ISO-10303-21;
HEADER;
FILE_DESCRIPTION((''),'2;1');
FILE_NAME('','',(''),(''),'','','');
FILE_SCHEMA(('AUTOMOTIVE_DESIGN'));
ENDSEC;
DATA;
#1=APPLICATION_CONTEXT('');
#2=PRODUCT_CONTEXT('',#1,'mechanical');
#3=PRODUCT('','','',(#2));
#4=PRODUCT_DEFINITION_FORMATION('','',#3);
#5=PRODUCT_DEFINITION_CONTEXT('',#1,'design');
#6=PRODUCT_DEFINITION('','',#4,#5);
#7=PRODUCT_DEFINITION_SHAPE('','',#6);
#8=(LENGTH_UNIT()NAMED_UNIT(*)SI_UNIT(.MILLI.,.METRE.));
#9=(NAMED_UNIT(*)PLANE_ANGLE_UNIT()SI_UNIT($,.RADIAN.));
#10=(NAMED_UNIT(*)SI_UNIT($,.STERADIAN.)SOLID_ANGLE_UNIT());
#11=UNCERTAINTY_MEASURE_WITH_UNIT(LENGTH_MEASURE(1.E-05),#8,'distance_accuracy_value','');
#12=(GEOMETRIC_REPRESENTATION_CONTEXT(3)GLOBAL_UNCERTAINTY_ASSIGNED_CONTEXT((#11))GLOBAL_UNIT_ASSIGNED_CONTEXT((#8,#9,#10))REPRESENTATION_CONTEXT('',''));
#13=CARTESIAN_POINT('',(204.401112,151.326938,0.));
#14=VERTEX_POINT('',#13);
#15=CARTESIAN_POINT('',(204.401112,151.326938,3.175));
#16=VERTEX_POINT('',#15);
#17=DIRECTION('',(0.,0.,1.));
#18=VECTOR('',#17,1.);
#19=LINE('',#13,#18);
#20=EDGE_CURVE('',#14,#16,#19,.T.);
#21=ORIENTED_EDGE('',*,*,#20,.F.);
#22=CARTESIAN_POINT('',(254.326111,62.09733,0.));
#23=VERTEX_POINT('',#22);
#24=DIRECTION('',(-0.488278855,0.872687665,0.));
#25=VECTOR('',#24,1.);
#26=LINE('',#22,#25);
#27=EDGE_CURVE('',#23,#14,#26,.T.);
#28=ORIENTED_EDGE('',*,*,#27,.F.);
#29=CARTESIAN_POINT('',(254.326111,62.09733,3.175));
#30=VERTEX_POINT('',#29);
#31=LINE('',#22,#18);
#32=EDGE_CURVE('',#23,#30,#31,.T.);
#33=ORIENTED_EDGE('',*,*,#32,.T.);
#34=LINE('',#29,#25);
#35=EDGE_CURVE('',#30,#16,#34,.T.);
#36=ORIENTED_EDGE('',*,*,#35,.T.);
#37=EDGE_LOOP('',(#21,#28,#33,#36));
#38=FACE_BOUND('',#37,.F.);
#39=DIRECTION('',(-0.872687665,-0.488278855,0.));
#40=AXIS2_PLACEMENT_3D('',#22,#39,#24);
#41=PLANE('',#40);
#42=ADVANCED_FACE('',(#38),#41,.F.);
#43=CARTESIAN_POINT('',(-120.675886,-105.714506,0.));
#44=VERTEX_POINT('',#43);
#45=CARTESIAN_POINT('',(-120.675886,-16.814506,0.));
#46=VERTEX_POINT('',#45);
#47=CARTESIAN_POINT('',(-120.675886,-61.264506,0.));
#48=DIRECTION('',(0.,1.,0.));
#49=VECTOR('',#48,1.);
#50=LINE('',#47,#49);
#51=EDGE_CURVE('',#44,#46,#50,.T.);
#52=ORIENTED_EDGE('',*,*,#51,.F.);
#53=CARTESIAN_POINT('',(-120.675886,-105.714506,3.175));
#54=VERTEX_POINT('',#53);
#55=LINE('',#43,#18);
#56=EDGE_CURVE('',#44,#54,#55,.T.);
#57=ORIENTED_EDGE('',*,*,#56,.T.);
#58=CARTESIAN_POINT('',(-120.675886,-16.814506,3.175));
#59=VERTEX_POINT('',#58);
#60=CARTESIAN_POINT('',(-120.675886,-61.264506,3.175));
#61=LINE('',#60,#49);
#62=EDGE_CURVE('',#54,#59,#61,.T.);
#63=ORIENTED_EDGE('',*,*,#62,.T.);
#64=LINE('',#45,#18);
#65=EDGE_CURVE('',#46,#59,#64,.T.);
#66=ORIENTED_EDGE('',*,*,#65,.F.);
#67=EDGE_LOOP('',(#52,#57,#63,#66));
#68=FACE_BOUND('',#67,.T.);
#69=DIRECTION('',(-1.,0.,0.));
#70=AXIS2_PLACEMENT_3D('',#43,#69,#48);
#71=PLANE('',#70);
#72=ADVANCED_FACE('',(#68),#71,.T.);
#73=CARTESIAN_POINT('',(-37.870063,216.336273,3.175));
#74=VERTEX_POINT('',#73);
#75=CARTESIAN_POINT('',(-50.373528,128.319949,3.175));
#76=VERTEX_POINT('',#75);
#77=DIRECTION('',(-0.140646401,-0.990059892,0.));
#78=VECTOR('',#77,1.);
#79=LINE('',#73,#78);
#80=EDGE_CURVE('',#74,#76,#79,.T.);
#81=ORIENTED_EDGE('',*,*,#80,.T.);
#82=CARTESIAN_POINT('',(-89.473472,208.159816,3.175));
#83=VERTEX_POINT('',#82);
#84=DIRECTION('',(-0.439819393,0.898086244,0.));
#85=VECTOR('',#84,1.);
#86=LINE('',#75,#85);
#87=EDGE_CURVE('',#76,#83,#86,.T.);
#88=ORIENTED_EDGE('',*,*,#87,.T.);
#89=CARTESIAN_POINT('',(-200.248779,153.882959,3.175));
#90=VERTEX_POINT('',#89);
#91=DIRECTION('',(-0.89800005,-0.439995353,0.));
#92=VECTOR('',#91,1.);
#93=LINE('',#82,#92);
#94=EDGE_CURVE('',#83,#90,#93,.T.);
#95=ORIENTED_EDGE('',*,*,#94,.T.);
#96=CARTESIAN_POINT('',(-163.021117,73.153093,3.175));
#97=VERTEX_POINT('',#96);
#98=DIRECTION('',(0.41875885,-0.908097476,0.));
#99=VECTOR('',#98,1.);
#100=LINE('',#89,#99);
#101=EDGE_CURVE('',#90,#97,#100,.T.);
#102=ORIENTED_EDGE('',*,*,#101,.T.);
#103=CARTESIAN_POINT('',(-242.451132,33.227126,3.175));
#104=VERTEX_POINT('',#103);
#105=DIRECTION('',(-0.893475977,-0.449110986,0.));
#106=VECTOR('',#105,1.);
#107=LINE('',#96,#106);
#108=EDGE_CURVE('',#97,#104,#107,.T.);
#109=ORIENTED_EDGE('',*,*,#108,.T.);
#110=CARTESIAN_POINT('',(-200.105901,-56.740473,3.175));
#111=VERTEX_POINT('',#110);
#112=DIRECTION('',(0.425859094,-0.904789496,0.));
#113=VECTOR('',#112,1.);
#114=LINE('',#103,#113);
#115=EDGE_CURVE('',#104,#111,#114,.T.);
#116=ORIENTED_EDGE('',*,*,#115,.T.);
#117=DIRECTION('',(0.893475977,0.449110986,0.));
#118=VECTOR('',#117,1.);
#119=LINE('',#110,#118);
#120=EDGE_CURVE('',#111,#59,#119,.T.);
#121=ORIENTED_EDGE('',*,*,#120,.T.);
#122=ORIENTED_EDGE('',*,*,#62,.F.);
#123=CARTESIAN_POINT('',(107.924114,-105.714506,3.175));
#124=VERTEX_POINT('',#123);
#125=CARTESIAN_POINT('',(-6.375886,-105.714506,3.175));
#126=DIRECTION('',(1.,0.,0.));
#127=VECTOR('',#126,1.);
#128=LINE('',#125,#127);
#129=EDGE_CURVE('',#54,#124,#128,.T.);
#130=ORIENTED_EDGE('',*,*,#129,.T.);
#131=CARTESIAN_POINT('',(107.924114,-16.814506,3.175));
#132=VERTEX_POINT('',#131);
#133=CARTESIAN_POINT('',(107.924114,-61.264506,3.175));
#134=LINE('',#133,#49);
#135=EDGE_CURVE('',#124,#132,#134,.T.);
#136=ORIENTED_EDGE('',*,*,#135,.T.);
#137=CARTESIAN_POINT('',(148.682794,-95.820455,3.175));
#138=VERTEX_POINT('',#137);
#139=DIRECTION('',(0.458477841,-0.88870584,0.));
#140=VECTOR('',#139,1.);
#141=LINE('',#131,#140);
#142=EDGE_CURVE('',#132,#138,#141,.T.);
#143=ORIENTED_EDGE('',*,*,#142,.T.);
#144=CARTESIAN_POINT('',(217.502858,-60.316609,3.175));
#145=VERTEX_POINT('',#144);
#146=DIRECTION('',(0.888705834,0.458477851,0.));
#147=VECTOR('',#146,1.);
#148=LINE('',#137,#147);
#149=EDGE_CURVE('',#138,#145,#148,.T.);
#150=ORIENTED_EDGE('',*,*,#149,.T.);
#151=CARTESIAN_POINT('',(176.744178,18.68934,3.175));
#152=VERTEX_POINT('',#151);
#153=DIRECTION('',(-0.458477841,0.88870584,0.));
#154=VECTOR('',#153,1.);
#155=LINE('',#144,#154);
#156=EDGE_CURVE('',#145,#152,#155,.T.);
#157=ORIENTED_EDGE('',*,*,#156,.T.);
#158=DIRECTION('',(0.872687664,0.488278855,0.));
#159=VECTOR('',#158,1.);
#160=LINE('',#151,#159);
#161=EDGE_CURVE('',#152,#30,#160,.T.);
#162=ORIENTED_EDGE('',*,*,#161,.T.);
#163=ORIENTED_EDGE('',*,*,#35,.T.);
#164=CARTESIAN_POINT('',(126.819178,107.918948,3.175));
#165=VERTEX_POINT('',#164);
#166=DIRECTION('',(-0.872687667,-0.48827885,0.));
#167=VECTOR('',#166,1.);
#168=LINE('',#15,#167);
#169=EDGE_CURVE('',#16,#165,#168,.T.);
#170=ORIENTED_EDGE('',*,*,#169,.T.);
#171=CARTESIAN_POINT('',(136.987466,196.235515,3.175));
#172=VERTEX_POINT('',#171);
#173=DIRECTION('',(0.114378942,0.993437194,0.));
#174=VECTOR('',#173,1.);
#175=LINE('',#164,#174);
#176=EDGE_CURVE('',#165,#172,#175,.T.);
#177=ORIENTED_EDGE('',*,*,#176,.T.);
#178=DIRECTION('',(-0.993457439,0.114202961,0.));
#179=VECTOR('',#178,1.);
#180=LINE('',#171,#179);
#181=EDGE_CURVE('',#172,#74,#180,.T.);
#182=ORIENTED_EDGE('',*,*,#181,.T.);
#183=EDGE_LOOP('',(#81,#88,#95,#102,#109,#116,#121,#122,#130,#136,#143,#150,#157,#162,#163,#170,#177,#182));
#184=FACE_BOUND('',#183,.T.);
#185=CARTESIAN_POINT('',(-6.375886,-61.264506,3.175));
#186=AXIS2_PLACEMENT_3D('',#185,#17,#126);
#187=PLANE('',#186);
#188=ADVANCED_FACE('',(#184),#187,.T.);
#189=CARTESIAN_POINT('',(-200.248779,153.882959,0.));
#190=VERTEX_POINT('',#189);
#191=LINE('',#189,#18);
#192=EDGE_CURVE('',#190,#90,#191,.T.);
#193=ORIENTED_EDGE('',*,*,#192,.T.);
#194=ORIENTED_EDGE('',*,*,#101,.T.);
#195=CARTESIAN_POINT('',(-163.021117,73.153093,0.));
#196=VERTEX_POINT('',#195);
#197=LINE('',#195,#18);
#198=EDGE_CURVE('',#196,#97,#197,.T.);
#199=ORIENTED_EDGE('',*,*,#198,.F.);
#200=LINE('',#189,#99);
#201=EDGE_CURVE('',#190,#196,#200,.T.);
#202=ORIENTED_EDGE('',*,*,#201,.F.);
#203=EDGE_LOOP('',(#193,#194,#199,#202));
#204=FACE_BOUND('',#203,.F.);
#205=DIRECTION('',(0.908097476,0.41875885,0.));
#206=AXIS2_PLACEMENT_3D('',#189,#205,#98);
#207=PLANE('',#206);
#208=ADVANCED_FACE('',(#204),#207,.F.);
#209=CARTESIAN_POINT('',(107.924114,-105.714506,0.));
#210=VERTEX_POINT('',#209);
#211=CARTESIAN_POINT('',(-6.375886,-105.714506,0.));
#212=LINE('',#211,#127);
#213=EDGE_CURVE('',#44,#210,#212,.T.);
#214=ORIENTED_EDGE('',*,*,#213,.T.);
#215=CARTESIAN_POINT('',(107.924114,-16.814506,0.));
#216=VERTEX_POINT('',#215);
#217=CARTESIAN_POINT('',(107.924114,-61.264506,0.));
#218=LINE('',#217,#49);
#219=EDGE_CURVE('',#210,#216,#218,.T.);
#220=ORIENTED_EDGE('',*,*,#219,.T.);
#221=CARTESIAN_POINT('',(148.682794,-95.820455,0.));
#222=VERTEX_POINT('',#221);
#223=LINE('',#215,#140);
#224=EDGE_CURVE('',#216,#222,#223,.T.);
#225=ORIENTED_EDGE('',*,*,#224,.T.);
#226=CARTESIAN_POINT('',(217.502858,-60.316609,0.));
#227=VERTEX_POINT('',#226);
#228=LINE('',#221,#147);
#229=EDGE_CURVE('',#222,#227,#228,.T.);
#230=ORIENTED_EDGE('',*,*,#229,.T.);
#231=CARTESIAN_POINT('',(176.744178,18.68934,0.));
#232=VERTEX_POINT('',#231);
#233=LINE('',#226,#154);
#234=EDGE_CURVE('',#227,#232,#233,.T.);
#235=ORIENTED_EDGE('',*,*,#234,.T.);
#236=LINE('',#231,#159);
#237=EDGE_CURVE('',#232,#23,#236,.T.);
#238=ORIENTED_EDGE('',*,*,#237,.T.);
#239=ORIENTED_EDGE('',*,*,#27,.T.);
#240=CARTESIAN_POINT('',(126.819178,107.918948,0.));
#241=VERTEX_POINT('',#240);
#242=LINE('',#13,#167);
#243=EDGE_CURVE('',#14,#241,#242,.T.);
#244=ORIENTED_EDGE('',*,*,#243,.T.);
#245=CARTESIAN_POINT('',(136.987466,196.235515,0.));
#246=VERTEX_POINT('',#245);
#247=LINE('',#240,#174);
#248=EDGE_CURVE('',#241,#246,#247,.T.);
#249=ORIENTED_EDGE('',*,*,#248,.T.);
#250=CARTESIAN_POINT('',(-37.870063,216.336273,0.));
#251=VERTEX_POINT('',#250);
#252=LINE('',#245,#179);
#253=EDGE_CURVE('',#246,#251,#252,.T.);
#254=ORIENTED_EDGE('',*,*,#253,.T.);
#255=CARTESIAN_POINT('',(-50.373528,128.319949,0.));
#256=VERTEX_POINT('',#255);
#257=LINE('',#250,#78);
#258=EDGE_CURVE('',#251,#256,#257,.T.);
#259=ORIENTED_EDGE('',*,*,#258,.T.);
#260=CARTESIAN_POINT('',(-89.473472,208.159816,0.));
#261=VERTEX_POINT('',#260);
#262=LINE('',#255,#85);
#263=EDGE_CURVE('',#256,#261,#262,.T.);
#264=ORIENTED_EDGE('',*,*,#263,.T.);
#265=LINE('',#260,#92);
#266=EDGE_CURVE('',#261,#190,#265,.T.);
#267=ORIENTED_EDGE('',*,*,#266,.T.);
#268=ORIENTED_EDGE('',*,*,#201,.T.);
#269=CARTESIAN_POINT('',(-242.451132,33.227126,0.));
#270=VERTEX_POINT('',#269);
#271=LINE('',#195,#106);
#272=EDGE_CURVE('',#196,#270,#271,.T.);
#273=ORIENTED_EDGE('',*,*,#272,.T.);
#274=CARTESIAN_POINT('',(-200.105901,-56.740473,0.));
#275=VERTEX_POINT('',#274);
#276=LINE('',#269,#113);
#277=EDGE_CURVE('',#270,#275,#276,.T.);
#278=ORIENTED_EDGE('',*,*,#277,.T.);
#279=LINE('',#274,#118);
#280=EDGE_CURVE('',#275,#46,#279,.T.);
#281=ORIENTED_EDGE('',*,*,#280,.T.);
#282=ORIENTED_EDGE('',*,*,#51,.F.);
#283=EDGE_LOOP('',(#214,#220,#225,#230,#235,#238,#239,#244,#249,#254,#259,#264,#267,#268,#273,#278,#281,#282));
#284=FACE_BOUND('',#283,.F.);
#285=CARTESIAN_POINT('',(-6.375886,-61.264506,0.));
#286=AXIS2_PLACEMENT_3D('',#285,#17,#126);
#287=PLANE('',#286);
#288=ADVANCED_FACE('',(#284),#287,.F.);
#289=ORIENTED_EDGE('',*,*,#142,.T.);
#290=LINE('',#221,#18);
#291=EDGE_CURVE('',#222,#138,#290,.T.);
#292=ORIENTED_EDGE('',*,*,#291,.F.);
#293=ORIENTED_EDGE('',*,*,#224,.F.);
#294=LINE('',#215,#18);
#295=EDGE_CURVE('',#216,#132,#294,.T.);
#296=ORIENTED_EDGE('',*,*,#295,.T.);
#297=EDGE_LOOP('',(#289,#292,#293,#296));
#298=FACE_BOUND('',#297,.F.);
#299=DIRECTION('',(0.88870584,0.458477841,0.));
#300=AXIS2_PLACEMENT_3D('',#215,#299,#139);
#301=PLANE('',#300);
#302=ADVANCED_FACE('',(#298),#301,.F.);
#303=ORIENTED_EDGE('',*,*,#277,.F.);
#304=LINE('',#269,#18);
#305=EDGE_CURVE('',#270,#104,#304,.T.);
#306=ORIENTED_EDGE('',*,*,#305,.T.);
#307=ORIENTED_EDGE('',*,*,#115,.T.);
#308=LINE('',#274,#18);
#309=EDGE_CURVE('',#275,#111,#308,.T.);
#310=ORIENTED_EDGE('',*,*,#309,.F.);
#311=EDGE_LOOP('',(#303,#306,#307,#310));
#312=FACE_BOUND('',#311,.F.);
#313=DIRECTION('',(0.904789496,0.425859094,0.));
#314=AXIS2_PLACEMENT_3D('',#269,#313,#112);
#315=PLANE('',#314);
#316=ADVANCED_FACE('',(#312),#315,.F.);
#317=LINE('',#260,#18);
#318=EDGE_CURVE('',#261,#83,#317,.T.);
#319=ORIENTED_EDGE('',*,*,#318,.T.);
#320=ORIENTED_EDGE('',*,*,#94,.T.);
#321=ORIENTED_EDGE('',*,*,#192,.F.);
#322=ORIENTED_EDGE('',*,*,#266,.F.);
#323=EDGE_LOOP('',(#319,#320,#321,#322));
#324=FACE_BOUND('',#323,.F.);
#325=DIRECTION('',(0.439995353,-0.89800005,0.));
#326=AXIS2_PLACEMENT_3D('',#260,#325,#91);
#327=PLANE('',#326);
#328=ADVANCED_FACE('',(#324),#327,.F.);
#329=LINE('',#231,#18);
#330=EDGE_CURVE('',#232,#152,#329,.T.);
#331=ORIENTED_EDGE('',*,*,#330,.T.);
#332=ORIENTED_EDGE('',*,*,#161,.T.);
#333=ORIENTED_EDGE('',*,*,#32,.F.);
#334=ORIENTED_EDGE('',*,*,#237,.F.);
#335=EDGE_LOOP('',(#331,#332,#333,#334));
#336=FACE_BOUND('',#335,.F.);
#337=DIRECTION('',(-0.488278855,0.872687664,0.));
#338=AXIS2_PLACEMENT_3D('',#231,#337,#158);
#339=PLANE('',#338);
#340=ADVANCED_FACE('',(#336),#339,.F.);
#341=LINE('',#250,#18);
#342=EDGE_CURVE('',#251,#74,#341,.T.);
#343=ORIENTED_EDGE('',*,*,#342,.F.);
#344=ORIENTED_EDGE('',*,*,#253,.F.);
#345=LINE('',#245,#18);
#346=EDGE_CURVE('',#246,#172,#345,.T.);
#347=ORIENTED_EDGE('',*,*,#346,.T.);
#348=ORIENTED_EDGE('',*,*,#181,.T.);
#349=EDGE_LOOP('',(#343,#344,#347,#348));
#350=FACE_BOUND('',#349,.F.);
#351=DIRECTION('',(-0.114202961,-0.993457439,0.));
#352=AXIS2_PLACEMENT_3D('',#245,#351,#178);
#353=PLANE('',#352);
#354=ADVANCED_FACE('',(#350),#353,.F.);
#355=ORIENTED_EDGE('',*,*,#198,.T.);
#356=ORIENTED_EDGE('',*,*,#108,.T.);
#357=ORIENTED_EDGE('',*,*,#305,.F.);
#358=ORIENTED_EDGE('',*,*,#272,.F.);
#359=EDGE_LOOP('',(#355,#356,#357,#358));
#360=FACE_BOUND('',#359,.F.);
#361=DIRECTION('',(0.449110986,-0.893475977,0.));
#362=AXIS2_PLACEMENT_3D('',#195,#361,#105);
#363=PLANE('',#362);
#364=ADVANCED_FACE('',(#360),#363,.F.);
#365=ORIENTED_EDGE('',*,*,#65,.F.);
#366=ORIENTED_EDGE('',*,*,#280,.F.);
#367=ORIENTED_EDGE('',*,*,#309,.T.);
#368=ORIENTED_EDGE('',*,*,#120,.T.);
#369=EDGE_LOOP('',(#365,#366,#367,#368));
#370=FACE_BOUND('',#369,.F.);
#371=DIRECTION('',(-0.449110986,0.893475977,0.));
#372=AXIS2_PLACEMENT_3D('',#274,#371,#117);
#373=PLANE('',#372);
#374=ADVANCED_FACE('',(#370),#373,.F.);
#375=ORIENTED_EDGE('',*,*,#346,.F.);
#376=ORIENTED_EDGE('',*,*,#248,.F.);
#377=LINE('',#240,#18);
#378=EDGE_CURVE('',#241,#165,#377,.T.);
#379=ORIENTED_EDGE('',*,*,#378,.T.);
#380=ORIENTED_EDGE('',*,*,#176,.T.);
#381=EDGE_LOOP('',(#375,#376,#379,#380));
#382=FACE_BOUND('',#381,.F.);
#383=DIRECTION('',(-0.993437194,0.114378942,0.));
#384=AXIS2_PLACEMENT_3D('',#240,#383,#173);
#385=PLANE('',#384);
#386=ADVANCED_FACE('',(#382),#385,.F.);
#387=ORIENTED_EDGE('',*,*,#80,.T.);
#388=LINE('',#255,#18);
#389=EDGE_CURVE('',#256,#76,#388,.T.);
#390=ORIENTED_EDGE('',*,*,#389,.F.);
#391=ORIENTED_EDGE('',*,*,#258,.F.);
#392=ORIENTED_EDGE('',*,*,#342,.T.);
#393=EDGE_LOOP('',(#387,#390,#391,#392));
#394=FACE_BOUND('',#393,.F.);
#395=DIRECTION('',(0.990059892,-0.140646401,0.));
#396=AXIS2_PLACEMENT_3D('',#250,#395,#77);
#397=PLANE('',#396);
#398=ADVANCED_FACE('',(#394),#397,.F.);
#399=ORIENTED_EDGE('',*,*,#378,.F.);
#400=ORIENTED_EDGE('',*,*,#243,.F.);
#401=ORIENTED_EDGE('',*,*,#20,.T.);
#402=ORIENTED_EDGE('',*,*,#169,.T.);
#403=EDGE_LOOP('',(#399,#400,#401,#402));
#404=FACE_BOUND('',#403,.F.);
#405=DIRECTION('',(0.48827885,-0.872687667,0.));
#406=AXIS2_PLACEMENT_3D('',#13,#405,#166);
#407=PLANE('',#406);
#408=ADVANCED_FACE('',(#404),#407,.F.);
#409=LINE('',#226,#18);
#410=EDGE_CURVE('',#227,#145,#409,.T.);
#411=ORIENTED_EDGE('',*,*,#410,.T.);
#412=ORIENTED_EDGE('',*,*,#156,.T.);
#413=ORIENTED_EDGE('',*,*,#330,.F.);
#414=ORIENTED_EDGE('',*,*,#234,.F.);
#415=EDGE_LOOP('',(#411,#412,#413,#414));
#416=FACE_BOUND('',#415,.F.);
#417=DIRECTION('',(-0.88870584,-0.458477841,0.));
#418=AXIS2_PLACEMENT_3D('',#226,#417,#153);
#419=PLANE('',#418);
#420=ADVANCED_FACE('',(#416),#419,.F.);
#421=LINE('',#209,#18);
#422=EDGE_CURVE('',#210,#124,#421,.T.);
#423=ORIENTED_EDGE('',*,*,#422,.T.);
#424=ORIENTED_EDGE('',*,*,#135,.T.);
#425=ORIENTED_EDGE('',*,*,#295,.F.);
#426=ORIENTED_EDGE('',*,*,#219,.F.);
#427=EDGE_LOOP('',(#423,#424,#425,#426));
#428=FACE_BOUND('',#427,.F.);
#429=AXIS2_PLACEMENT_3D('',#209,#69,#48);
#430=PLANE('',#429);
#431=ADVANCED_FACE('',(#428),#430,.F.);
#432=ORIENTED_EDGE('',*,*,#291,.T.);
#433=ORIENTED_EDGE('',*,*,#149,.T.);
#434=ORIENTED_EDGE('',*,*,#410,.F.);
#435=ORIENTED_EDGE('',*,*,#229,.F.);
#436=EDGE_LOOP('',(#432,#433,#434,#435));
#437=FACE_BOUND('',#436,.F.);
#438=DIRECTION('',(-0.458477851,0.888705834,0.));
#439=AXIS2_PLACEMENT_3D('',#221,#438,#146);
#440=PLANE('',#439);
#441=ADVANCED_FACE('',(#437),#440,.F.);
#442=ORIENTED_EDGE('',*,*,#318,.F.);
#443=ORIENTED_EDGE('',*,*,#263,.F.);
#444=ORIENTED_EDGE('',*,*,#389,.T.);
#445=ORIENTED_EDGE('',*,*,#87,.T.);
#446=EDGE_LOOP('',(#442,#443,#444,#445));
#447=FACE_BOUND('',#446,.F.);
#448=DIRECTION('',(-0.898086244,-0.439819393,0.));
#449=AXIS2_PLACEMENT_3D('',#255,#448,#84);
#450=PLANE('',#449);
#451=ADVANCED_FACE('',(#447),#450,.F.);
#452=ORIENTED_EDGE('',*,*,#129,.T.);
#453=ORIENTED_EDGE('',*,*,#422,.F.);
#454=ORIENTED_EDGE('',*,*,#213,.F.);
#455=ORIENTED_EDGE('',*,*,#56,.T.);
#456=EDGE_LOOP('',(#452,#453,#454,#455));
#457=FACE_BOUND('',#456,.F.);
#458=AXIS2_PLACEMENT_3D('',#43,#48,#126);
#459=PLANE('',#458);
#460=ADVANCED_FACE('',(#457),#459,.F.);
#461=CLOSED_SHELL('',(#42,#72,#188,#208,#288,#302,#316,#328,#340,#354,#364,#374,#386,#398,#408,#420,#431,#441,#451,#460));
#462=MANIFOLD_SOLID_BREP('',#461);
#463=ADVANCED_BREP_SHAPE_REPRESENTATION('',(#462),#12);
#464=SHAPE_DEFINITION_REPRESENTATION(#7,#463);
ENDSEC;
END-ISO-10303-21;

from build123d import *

# Parameters (mm, degrees)
F0_W     = 228.6
F0_H     = 88.9
F1_DEPTH = 3.175


with BuildPart() as f1:
    # F0 (on Top) → F1 (new body)
    with BuildSketch(Plane.XY):
        with Locations((-6.375886, -61.264506)):
            Rectangle(F0_W, F0_H)
        Polygon((-120.675886, -16.814506), (107.924114, -16.814506), (176.744178, 18.68934), (126.819178, 107.918948), (-50.373528, 128.319949), (-163.021117, 73.153093), (-242.451132, 33.227126), (-200.105901, -56.740473), align=None)
        Polygon((176.744178, 18.68934), (107.924114, -16.814506), (148.682794, -95.820455), (217.502858, -60.316609), align=None)
        Polygon((126.819178, 107.918948), (176.744178, 18.68934), (254.326111, 62.09733), (204.401112, 151.326938), align=None)
        Polygon((-50.373528, 128.319949), (126.819178, 107.918948), (136.987466, 196.235515), (-37.870063, 216.336273), align=None)
        Polygon((-163.021117, 73.153093), (-50.373528, 128.319949), (-89.473472, 208.159816), (-200.248779, 153.882959), align=None)
    extrude(amount=F1_DEPTH)


solid = f1.part
